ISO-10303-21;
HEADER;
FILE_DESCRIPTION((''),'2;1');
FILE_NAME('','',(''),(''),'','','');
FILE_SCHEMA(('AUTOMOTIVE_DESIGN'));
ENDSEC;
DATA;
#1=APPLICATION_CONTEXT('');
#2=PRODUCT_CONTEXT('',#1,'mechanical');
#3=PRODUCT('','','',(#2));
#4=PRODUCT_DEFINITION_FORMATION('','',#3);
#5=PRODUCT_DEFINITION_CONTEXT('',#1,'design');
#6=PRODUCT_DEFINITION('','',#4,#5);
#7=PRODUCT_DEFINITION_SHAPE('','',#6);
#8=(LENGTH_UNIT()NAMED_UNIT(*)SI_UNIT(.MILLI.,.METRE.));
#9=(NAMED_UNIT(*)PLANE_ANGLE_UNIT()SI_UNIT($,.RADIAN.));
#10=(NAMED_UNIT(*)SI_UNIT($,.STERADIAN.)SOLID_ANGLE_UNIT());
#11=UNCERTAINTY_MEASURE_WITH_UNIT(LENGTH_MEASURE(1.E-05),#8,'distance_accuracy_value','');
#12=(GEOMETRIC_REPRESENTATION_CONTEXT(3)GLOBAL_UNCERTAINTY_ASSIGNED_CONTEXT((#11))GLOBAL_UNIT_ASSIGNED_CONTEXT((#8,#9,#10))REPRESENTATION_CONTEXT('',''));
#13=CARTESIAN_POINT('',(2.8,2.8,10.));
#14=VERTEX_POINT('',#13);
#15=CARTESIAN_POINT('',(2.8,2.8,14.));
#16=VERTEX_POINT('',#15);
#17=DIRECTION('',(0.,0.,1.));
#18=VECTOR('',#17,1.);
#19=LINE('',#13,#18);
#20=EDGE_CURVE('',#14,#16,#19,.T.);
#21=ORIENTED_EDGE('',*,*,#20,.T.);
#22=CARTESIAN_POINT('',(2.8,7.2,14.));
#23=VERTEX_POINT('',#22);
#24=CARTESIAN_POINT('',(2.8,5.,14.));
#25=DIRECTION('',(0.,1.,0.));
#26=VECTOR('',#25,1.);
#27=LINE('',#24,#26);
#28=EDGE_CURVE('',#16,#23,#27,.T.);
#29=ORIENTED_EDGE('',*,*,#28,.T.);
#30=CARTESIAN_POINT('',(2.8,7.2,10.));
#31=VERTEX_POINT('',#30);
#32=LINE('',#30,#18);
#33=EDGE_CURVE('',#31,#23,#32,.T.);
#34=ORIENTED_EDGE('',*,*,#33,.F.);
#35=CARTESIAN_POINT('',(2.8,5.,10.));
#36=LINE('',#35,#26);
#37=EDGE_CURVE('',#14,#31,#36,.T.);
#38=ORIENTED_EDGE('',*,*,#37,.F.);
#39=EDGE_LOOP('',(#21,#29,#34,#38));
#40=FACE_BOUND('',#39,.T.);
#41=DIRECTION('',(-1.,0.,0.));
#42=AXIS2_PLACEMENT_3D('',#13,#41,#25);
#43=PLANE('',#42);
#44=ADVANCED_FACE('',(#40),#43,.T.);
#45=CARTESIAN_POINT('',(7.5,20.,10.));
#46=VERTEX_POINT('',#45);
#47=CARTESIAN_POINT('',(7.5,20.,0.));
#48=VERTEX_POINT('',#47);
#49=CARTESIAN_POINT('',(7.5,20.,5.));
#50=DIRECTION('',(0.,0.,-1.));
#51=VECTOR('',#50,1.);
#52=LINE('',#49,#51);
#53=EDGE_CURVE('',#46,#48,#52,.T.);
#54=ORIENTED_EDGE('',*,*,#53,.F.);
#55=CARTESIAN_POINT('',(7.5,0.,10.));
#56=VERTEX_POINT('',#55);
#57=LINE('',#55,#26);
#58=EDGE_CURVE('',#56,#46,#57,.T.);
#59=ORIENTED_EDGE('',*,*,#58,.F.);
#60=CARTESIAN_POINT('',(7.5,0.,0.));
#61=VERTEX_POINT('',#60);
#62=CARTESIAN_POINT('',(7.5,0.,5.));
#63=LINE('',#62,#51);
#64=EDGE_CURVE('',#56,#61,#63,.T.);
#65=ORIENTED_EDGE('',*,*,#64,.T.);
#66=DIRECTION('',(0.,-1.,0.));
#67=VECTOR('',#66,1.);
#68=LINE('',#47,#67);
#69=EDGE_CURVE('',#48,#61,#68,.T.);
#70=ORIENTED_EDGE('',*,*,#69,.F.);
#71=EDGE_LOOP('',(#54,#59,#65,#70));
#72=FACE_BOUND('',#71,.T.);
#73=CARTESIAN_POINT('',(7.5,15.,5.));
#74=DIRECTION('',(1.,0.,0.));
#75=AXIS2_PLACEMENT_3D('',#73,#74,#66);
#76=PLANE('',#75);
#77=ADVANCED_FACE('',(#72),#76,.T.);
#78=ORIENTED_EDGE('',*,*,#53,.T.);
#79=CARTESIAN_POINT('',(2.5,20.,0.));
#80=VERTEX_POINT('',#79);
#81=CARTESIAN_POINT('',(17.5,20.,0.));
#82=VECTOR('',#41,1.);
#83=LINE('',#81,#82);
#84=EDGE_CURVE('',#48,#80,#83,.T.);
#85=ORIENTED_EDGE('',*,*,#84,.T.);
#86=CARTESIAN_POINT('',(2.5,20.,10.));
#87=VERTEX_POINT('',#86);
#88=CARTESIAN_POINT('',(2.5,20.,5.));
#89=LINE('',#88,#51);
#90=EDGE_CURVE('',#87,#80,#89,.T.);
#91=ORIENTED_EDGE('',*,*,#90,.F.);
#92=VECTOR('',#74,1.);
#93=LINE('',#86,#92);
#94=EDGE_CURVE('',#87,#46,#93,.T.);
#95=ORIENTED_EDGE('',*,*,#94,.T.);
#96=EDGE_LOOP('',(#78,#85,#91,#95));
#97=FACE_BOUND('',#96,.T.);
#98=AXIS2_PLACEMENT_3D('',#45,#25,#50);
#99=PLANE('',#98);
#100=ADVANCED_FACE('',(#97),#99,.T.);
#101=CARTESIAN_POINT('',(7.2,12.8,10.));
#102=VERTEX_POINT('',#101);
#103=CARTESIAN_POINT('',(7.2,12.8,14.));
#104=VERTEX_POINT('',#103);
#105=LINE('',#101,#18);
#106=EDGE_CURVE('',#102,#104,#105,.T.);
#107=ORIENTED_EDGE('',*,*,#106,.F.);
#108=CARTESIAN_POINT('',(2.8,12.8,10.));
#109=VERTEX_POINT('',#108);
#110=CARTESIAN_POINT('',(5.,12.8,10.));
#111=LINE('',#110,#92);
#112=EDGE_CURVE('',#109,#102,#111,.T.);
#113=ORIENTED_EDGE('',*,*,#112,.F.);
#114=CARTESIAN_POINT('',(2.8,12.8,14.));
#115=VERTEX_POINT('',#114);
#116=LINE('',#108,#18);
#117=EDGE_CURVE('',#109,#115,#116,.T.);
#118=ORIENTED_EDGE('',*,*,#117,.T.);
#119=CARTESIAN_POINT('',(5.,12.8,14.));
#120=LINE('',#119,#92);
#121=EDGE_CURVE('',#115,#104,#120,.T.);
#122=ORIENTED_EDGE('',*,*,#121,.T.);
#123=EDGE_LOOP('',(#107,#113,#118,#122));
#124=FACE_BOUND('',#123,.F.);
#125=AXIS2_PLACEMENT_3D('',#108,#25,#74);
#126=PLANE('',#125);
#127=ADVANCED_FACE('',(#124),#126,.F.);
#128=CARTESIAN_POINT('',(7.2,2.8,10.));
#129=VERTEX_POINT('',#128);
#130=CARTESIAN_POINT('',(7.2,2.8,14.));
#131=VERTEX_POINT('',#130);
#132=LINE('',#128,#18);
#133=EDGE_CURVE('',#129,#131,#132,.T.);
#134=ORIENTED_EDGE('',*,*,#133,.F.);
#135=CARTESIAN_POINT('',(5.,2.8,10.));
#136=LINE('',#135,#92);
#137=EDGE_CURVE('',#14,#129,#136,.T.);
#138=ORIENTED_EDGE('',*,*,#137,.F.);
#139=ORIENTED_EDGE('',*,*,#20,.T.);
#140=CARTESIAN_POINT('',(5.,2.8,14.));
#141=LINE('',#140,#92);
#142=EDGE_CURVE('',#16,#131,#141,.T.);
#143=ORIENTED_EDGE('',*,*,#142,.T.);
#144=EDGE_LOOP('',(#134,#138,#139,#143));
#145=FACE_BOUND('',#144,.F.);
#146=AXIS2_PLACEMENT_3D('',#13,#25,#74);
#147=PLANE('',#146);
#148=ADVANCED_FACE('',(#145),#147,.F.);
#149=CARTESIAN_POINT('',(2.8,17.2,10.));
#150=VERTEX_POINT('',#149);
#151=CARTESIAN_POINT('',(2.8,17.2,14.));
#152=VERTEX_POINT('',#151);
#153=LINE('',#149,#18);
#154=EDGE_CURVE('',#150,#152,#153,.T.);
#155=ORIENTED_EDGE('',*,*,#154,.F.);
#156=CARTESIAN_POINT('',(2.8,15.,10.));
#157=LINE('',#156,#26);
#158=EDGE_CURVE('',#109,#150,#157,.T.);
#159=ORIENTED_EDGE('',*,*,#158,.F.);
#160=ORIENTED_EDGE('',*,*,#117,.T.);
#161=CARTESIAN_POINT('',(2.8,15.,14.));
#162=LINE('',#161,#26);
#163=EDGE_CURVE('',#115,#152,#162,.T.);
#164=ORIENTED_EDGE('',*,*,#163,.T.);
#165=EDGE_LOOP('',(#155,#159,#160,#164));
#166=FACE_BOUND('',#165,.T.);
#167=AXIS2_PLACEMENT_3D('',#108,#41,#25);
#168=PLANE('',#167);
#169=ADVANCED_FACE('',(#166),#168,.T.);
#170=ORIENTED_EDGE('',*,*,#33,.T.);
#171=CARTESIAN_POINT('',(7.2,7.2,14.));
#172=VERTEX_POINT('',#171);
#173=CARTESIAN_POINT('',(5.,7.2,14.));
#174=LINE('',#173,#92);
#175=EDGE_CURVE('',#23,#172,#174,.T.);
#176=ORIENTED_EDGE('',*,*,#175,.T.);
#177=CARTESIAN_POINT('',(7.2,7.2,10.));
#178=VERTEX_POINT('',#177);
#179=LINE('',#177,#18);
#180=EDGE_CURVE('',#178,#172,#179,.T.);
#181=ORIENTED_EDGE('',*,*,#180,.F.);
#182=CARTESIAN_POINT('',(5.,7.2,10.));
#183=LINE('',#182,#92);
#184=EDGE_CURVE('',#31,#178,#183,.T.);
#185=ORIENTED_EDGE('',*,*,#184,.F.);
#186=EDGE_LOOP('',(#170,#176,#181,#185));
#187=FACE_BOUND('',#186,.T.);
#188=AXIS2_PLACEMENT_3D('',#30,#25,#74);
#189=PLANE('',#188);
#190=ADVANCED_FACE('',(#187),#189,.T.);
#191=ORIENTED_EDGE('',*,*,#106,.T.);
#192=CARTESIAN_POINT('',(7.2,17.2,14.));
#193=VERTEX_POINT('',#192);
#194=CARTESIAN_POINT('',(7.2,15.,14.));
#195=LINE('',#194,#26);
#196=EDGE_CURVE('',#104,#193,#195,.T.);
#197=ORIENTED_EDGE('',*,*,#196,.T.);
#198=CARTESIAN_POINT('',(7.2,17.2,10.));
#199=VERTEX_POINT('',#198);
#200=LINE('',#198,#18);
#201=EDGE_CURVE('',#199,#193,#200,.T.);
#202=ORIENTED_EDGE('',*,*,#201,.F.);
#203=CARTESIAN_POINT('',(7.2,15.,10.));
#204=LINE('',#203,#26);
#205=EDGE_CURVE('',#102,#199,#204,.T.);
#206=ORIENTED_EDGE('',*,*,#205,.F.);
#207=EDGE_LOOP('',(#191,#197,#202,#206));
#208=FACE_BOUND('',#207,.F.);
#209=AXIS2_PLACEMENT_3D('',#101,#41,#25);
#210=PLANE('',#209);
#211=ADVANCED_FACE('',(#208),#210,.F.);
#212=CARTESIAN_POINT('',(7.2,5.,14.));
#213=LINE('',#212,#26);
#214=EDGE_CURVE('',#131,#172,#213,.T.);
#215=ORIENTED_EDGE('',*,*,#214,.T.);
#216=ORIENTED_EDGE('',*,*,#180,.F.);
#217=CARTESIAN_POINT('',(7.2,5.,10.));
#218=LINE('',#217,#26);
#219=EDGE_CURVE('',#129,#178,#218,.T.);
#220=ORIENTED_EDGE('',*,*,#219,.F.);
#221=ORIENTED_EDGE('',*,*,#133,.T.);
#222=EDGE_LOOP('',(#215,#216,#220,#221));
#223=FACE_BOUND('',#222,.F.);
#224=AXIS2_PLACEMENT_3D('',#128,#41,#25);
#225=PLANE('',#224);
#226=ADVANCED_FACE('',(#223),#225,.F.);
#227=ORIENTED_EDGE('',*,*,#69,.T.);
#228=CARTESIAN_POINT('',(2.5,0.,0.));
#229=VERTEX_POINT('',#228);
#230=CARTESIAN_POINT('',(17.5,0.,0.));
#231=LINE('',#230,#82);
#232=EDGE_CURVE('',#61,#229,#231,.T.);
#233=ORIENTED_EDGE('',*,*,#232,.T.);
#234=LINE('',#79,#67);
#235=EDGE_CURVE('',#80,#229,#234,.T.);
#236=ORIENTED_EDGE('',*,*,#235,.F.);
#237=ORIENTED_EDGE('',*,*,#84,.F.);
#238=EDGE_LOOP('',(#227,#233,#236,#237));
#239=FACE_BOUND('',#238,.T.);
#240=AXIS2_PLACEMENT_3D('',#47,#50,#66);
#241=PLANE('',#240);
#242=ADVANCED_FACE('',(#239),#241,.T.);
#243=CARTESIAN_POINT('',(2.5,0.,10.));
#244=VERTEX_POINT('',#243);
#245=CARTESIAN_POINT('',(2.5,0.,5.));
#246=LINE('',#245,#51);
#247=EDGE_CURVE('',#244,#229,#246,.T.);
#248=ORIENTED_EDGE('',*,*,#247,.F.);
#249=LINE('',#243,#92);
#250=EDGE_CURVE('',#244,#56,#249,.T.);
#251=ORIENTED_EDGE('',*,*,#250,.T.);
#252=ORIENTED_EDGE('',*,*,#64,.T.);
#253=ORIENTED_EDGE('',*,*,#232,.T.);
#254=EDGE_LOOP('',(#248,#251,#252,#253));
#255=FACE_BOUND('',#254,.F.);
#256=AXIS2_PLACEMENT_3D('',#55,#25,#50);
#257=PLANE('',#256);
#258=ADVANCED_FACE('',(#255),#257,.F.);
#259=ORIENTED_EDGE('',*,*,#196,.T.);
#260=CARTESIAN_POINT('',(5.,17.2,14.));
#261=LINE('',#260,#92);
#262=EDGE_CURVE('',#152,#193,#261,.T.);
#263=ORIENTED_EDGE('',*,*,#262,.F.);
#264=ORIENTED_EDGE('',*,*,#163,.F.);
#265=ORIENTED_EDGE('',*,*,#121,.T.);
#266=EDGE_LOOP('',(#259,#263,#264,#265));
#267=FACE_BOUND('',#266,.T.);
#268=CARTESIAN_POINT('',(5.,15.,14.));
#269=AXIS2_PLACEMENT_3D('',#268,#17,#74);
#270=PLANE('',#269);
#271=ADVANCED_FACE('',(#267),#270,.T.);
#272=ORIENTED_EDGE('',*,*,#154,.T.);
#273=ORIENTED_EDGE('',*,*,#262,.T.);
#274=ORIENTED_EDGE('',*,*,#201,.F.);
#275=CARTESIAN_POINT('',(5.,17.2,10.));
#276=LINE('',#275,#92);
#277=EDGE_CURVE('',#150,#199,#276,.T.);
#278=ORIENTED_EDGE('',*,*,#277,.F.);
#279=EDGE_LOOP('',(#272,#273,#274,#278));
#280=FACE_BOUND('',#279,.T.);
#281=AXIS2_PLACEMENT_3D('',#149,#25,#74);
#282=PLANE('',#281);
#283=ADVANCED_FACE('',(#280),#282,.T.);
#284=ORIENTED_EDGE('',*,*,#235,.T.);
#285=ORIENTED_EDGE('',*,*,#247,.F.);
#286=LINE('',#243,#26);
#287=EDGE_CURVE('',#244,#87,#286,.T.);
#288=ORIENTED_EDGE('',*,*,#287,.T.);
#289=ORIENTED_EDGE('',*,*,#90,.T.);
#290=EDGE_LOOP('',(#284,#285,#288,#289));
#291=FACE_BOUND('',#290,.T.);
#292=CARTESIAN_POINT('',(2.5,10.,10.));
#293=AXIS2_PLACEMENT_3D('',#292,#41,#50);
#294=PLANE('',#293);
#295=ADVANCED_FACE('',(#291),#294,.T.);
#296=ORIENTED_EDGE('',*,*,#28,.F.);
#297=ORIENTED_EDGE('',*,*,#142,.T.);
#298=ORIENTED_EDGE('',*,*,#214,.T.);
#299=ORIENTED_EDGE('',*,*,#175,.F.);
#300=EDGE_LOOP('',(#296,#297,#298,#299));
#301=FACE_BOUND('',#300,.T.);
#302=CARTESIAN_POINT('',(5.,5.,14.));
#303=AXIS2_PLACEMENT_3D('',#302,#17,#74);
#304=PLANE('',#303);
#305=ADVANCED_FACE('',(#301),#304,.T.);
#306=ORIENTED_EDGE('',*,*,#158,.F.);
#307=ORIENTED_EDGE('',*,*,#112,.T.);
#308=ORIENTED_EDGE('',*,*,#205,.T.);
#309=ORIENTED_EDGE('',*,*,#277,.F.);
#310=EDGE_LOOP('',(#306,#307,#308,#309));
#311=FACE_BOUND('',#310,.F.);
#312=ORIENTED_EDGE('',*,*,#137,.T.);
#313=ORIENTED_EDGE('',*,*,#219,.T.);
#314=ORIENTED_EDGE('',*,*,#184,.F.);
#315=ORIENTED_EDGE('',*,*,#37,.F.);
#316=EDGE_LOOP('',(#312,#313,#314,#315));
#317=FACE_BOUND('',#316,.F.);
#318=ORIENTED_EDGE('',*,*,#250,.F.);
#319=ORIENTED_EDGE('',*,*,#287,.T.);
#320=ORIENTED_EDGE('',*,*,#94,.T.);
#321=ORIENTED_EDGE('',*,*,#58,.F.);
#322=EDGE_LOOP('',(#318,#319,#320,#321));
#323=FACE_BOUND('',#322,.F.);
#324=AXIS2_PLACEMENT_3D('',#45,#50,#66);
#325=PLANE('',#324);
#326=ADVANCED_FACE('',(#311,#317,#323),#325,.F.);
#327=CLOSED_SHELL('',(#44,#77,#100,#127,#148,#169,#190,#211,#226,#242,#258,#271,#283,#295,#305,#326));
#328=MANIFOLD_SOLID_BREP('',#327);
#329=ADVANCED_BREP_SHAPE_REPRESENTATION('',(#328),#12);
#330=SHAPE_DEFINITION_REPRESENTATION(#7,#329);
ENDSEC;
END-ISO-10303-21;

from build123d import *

# Parameters (mm, degrees)
BOX_W             = 10
BOX_H             = 10
BOX_DEPTH         = 10
SKETCH_W          = 4.4
SKETCH_H          = 4.4
PAD_DEPTH         = 4
PAD_FACE1_W       = 10
PAD_FACE1_H       = 10
POCKET_DEPTH      = 2.5
POCKET_FACE3_W    = 10
POCKET_FACE3_H    = 10
POCKET001_DEPTH   = 2.5
POCKET001_FACE6_W = 5
POCKET001_FACE6_H = 10
PAD001_DEPTH      = 10
SKETCH001_W       = 4.4
SKETCH001_H       = 4.4
PAD002_DEPTH      = 4
PAD002_FACE3_W    = 10
PAD002_FACE3_H    = 10
PAD003_DEPTH      = 10
PAD003_FACE16_W   = 10
PAD003_FACE16_H   = 10
PAD004_DEPTH      = 10
PAD004_FACE19_W   = 10
PAD004_FACE19_H   = 10
POCKET002_DEPTH   = 10
POCKET002_FACE9_W = 10
POCKET002_FACE9_H = 10
POCKET003_DEPTH   = 10


with BuildPart() as part:
    # Box → Box (new body)
    with BuildSketch(Plane.XY):
        with Locations((5, 5)):
            Rectangle(BOX_W, BOX_H)
    extrude(amount=BOX_DEPTH)

    # Sketch (on Face6 of BaseFeature) → Pad (new body)
    with BuildSketch(Plane.XY.offset(10)):
        with Locations((5, 5)):
            Rectangle(SKETCH_W, SKETCH_H)
    extrude(amount=PAD_DEPTH)

    # Pad Face1 → Pocket (cut)
    with BuildSketch(Plane(origin=(0, 5, 5), x_dir=(0, 1, 0), z_dir=(-1, 0, 0))):
        Rectangle(PAD_FACE1_W, PAD_FACE1_H)
    extrude(amount=-POCKET_DEPTH, mode=Mode.SUBTRACT)

    # Pocket Face3 → Pocket001 (cut)
    with BuildSketch(Plane(origin=(10, 5, 5), x_dir=(0, -1, 0), z_dir=(1, 0, 0))):
        Rectangle(POCKET_FACE3_W, POCKET_FACE3_H)
    extrude(amount=-POCKET001_DEPTH, mode=Mode.SUBTRACT)

    # Pocket001 Face6 → Pad001 (add)
    with BuildSketch(Plane(origin=(5, 10, 5), x_dir=(1, 0, 0), z_dir=(0, 1, 0))):
        Rectangle(POCKET001_FACE6_W, POCKET001_FACE6_H)
    extrude(amount=PAD001_DEPTH)

    # Sketch001 (on Face8 of Pad001) → Pad002 (join)
    with BuildSketch(Plane.XY.offset(10)):
        with Locations((5, 15)):
            Rectangle(SKETCH001_W, SKETCH001_H)
    extrude(amount=PAD002_DEPTH)

    # Pad002 Face3 → Pad003 (add)
    with BuildSketch(Plane(origin=(7.5, 5, 5), x_dir=(0, -1, 0), z_dir=(1, 0, 0))):
        Rectangle(PAD002_FACE3_W, PAD002_FACE3_H)
    extrude(amount=PAD003_DEPTH)

    # Pad003 Face16 → Pad004 (add)
    with BuildSketch(Plane(origin=(7.5, 15, 5), x_dir=(0, -1, 0), z_dir=(1, 0, 0))):
        Rectangle(PAD003_FACE16_W, PAD003_FACE16_H)
    extrude(amount=PAD004_DEPTH)

    # Pad004 Face19 → Pocket002 (cut)
    with BuildSketch(Plane(origin=(17.5, 15, 5), x_dir=(0, -1, 0), z_dir=(1, 0, 0))):
        Rectangle(PAD004_FACE19_W, PAD004_FACE19_H)
    extrude(amount=-POCKET002_DEPTH, mode=Mode.SUBTRACT)

    # Pocket002 Face9 → Pocket003 (cut)
    with BuildSketch(Plane(origin=(17.5, 5, 5), x_dir=(0, -1, 0), z_dir=(1, 0, 0))):
        Rectangle(POCKET002_FACE9_W, POCKET002_FACE9_H)
    extrude(amount=-POCKET003_DEPTH, mode=Mode.SUBTRACT)


solid = part.part
